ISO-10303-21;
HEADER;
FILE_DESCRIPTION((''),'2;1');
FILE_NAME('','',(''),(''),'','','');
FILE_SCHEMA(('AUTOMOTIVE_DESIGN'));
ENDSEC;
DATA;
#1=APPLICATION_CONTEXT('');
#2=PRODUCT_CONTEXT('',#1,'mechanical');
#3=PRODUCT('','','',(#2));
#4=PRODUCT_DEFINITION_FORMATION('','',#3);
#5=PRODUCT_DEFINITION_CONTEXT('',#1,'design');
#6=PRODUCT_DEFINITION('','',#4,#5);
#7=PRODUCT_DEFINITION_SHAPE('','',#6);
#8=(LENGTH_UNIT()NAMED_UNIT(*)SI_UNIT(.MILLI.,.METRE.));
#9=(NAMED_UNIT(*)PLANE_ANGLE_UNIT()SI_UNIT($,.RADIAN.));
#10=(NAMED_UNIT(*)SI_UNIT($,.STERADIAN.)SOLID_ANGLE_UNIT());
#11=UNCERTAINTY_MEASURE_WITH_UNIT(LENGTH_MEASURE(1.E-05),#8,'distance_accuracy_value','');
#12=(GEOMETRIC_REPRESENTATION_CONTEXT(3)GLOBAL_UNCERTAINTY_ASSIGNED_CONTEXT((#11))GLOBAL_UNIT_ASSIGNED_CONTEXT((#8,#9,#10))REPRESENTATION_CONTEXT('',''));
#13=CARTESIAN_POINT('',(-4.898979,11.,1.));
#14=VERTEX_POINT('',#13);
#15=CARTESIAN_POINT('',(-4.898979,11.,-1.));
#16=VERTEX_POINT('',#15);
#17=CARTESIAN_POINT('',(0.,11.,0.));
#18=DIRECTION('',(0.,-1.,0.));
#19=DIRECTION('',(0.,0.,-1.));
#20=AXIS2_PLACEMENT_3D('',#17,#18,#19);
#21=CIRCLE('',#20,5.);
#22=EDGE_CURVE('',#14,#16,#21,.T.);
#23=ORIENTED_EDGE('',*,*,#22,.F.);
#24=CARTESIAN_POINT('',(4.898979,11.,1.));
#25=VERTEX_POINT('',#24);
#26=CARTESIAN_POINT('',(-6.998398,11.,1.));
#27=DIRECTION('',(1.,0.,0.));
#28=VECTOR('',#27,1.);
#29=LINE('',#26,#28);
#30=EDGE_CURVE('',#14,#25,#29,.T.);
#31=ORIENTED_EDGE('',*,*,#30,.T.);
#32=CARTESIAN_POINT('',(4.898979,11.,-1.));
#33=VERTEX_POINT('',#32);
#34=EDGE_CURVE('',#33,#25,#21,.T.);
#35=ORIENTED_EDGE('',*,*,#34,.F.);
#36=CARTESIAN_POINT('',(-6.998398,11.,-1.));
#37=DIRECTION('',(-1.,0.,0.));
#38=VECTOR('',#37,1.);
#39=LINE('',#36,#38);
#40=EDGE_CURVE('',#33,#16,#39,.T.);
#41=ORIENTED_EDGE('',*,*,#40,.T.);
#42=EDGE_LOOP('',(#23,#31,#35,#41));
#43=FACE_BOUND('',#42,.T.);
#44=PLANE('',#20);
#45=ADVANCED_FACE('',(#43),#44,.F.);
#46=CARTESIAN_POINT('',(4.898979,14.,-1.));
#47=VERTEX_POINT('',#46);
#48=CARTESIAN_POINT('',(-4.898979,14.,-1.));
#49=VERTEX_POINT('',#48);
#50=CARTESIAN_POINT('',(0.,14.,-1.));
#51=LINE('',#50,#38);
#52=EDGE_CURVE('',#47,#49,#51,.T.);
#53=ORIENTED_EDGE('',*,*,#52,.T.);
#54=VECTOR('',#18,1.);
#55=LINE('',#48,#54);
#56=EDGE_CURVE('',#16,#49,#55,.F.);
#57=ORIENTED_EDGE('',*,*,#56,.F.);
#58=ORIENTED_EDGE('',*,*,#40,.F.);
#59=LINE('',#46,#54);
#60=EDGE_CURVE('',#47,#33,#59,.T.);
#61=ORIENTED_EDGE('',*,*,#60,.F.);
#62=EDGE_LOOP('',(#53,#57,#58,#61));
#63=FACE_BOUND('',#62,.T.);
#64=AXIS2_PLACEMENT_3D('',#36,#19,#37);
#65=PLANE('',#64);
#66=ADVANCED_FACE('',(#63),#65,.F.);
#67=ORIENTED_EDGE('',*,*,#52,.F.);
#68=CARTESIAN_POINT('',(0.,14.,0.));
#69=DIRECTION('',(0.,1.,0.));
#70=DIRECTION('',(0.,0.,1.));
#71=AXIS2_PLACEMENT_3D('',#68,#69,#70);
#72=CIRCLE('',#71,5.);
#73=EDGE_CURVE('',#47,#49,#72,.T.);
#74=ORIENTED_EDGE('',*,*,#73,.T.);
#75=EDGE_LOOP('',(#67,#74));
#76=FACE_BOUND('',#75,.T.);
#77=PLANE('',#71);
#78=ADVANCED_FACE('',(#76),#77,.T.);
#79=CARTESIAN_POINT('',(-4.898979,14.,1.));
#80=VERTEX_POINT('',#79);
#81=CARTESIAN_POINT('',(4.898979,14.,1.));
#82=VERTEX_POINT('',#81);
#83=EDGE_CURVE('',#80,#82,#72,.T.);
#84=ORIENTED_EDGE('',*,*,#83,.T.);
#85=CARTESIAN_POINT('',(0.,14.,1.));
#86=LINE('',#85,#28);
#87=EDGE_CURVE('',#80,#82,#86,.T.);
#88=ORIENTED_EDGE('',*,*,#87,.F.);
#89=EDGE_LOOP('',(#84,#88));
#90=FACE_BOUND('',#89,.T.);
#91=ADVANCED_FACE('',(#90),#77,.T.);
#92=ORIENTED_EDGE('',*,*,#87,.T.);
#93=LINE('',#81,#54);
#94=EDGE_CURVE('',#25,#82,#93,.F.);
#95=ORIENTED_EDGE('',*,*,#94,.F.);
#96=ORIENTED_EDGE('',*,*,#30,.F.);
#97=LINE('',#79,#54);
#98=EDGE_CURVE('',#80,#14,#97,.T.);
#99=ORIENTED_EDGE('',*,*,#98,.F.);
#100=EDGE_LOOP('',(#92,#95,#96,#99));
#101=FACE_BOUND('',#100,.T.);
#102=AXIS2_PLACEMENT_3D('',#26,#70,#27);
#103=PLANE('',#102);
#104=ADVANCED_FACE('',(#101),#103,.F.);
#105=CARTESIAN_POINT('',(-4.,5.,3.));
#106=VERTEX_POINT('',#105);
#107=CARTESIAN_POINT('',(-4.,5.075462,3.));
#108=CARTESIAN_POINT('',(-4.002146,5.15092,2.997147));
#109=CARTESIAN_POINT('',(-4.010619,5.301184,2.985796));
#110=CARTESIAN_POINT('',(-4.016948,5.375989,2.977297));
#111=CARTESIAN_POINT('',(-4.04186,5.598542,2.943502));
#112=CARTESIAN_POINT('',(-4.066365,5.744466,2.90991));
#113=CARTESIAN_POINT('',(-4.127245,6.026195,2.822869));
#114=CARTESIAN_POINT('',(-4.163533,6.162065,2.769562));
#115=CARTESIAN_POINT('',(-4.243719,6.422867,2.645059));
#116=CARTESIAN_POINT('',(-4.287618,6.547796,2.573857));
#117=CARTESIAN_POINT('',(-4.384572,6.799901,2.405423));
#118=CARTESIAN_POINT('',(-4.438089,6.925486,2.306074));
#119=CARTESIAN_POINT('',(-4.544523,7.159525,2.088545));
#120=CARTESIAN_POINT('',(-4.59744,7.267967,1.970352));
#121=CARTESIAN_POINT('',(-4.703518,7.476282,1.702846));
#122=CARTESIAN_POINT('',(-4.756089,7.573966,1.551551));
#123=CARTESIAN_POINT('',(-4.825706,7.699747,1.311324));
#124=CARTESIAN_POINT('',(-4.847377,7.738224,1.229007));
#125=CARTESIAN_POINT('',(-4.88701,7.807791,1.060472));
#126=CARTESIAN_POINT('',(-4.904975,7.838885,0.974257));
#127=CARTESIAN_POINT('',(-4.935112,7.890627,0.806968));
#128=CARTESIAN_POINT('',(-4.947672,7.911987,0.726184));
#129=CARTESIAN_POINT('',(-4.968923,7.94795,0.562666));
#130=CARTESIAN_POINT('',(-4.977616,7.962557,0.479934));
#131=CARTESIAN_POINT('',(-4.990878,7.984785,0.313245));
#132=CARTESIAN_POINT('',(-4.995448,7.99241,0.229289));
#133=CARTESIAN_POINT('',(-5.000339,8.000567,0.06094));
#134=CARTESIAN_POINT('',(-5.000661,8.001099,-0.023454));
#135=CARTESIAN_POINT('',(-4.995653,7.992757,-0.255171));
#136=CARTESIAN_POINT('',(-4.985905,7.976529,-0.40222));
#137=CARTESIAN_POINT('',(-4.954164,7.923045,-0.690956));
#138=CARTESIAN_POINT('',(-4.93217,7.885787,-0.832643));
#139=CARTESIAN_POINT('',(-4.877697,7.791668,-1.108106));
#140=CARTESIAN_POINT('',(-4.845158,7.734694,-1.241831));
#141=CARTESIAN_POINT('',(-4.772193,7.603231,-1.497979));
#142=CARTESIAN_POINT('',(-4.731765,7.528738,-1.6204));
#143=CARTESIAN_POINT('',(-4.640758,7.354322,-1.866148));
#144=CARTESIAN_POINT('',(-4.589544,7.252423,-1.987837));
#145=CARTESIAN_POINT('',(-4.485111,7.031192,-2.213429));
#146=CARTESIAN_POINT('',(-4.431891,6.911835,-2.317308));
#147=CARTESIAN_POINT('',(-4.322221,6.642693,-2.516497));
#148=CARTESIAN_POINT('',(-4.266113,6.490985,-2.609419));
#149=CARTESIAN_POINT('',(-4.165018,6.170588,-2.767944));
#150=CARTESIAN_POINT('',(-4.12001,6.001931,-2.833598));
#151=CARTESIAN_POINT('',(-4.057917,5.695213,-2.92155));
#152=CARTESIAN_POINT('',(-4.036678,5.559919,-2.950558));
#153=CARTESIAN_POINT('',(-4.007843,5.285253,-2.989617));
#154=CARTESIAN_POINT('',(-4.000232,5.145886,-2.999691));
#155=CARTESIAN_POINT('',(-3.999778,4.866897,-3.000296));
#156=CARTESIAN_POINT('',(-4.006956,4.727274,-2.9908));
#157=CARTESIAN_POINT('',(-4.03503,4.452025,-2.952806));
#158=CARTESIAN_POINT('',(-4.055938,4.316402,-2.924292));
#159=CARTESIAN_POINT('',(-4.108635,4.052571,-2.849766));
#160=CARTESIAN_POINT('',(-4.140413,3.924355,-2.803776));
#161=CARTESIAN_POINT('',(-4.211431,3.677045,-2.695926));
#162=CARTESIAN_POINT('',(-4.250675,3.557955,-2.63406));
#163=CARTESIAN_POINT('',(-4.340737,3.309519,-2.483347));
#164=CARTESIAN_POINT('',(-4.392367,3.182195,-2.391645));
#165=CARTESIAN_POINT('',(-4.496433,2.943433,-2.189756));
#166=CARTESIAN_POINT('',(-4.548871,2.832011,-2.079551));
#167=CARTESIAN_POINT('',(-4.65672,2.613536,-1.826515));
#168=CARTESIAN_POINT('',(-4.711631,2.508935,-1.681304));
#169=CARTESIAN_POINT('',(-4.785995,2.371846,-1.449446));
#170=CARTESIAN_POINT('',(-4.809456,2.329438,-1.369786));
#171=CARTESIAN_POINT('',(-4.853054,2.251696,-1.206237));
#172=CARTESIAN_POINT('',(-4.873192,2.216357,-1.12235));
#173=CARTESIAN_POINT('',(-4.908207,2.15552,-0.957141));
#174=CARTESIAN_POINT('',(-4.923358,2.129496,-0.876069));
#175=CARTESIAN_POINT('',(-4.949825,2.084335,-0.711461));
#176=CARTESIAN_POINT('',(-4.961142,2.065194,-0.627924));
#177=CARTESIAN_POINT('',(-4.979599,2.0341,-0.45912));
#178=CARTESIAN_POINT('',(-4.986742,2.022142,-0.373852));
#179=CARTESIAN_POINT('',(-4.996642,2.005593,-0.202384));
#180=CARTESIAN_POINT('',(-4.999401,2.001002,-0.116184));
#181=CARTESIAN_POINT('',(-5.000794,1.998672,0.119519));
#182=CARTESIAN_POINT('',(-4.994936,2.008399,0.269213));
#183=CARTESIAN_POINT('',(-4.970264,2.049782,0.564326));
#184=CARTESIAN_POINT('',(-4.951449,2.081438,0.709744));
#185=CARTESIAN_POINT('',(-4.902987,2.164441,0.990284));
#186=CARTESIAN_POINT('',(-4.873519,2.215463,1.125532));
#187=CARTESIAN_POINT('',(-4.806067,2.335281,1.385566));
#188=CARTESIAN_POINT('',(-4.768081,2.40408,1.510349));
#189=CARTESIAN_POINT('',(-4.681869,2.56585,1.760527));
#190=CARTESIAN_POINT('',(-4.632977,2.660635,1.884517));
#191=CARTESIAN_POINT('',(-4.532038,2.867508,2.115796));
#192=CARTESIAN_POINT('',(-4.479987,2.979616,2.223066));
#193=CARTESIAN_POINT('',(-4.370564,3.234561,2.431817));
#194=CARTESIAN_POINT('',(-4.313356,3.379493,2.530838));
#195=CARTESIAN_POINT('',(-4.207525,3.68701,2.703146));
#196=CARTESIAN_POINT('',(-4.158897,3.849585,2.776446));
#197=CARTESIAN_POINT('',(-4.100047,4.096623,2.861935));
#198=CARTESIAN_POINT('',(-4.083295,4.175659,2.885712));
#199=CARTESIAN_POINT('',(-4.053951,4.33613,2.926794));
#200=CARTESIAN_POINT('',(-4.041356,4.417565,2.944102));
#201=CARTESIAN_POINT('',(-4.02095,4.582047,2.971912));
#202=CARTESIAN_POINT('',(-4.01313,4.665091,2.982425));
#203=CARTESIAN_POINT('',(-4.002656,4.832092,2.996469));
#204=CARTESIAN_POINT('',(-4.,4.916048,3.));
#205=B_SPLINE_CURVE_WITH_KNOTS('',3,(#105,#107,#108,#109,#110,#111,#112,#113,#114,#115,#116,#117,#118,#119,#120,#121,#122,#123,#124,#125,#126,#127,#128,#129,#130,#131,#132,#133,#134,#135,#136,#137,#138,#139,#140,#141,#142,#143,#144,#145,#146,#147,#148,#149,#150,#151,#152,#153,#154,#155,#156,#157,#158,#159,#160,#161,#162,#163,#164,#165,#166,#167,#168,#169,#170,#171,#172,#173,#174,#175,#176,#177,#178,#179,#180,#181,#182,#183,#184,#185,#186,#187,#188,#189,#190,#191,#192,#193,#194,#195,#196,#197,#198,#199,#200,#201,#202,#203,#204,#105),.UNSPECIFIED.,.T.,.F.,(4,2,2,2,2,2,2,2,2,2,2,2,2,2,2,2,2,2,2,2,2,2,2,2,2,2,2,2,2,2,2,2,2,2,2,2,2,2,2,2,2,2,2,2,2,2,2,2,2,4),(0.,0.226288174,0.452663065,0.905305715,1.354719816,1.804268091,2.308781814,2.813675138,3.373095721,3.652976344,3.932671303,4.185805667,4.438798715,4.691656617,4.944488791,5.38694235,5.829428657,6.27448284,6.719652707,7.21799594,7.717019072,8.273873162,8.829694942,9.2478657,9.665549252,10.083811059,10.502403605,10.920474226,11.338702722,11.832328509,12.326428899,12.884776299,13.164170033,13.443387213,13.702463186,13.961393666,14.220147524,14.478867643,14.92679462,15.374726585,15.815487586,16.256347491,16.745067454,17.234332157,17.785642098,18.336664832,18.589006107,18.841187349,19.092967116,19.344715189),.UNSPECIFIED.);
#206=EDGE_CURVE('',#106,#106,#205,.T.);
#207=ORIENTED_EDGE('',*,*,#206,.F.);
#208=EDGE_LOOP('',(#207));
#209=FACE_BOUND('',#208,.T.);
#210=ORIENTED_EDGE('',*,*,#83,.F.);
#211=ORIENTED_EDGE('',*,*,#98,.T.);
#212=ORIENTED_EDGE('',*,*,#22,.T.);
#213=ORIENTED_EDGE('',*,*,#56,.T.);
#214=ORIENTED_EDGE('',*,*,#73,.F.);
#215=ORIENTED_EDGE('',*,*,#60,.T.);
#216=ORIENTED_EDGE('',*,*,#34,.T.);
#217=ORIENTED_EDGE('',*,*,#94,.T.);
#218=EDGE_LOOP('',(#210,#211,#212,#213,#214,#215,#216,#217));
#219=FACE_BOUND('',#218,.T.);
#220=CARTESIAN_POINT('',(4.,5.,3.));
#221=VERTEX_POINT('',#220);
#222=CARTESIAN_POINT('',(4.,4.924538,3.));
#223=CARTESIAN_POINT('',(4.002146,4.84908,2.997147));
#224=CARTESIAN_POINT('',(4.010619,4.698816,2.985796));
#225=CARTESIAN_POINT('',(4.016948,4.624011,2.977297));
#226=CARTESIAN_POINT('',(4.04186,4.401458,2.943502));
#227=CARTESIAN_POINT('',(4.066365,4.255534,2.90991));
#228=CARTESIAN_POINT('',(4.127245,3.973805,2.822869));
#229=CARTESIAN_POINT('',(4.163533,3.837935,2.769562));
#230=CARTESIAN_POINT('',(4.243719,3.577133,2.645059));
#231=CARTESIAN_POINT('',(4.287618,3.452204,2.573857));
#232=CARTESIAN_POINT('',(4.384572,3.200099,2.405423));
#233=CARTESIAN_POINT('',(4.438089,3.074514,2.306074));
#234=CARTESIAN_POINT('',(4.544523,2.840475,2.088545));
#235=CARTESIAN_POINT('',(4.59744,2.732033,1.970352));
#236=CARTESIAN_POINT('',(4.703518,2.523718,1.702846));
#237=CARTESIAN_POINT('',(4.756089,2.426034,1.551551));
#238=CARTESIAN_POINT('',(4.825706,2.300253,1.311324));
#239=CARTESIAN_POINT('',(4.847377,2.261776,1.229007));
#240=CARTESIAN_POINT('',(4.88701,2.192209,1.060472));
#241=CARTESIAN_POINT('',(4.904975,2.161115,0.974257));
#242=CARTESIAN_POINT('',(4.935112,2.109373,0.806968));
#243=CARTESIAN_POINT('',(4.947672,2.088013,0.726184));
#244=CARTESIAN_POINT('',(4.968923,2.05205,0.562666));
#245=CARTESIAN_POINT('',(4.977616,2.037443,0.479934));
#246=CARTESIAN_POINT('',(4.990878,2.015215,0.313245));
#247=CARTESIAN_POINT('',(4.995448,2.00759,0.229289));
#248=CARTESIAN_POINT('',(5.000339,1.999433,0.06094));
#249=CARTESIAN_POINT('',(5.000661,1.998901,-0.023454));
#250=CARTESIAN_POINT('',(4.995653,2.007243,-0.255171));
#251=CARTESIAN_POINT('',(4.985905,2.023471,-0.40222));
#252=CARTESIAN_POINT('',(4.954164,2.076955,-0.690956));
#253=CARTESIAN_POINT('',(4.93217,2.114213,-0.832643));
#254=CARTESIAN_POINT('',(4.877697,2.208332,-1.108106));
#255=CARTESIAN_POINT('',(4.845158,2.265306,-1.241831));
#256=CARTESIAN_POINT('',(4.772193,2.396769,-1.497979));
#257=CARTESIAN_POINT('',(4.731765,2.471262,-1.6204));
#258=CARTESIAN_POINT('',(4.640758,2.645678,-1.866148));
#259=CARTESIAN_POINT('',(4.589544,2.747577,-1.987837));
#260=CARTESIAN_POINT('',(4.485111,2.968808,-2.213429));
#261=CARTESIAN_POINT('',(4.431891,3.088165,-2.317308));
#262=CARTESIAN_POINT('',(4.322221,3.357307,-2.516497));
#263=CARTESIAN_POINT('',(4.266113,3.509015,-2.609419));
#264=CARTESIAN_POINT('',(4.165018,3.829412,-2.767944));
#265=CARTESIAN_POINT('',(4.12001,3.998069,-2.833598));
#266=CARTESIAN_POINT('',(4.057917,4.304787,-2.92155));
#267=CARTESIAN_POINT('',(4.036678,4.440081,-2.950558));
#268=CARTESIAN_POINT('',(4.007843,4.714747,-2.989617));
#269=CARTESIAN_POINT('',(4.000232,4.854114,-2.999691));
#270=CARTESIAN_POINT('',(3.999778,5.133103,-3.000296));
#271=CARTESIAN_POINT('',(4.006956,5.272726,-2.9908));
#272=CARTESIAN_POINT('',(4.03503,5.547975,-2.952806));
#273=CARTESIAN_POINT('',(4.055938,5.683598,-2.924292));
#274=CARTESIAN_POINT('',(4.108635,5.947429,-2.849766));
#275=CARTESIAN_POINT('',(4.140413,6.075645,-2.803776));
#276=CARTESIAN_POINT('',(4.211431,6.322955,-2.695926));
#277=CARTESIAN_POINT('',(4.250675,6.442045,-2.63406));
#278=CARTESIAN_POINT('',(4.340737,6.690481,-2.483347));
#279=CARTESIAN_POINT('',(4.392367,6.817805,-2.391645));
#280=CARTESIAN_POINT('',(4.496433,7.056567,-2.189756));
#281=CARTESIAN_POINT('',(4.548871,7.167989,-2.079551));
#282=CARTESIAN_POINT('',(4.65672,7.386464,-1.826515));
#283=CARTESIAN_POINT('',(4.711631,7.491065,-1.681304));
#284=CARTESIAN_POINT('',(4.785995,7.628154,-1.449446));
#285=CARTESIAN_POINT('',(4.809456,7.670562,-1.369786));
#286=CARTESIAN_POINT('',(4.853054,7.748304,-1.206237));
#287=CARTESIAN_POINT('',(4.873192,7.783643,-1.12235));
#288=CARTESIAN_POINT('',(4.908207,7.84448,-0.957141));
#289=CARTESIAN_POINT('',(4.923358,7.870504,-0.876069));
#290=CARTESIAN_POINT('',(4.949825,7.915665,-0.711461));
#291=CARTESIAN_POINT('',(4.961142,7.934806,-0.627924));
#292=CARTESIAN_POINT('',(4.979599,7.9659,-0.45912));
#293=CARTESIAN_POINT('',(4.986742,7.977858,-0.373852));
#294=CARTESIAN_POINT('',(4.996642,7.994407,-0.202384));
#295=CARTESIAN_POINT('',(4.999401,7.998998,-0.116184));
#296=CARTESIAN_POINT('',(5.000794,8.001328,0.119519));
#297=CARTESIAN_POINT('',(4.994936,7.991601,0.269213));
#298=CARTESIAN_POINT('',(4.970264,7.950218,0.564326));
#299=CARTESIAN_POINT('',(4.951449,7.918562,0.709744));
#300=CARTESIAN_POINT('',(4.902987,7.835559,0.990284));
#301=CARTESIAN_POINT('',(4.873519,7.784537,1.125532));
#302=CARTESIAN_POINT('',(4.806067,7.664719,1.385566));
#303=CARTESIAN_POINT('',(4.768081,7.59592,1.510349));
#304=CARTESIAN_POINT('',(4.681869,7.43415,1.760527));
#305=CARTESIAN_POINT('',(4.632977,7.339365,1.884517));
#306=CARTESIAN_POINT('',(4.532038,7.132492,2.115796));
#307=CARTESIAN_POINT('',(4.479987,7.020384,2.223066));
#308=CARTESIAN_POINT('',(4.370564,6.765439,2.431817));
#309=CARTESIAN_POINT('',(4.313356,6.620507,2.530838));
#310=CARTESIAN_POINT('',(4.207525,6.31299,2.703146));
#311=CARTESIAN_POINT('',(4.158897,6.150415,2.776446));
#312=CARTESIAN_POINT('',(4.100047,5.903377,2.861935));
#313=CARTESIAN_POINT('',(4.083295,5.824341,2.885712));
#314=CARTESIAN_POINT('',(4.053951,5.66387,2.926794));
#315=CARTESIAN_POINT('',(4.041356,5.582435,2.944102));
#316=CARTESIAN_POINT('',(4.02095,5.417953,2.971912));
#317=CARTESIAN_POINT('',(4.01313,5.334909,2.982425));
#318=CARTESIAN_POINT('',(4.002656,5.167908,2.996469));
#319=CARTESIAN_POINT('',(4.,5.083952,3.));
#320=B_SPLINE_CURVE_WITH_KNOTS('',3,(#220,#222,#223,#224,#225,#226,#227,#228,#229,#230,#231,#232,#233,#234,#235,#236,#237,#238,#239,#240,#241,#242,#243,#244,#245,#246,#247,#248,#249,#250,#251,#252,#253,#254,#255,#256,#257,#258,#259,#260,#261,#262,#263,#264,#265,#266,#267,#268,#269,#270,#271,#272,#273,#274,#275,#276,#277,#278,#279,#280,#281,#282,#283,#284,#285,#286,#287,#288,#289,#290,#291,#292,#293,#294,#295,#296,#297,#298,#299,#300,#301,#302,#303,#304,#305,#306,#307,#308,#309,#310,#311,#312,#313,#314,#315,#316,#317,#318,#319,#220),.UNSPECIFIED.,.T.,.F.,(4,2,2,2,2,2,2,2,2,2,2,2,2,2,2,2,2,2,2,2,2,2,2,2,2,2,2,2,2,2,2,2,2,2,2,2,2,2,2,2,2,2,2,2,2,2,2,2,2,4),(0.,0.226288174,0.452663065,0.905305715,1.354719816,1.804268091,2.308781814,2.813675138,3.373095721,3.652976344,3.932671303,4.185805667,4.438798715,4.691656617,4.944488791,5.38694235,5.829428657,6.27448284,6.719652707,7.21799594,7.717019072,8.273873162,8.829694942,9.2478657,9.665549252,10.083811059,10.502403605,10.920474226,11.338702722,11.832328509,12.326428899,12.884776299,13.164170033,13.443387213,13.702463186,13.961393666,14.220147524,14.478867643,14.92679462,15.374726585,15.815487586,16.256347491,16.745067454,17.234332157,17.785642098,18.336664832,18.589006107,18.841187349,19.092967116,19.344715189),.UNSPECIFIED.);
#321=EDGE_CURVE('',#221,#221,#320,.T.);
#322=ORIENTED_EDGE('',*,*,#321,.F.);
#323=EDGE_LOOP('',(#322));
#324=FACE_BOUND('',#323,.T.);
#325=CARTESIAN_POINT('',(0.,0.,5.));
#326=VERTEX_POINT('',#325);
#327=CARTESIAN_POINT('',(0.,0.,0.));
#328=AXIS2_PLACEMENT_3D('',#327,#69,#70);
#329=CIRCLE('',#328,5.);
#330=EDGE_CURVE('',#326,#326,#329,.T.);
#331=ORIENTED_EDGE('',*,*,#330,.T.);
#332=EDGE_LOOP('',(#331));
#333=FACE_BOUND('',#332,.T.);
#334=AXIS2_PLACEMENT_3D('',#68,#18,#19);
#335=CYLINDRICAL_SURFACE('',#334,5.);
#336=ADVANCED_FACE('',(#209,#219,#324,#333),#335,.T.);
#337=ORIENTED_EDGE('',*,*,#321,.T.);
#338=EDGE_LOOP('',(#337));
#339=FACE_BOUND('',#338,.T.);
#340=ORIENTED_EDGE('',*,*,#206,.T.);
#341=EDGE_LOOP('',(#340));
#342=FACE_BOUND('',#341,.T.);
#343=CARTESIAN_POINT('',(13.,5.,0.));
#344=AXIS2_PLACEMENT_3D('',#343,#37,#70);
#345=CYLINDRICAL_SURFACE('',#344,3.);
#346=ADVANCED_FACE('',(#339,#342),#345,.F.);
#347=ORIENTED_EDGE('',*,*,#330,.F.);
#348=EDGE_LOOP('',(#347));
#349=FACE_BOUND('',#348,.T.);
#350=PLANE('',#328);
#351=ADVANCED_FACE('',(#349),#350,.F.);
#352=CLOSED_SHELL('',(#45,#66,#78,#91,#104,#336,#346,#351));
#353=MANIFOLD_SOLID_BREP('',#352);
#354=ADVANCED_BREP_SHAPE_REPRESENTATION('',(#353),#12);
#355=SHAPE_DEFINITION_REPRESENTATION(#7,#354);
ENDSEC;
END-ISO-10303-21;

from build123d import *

# Parameters (mm, degrees)
SKETCH_1_R               = 5
EXTRUDE_1_DEPTH          = 14
SKETCH_2_W               = 13.996795202
SKETCH_2_H               = 2
CUT_EXTRUDE_1_DEPTH      = 3
CUT_EXTRUDE_2_DEPTH      = 13
CUT_EXTRUDE_2_DEPTH_BACK = 13
SKETCH_3_R               = 3


with BuildPart() as part:
    # 스케치1 → 보스-돌출1 (new body)
    with BuildSketch(Plane(origin=(0, 0, 0), x_dir=(1, 0, 0), z_dir=(0, 1, 0))):
        Circle(SKETCH_1_R)
    extrude(amount=EXTRUDE_1_DEPTH)

    # 스케치2 → 컷-돌출1 (cut)
    with BuildSketch(Plane(origin=(0, 14, 0), x_dir=(1, 0, 0), z_dir=(0, 1, 0))):
        Rectangle(SKETCH_2_W, SKETCH_2_H)
    extrude(amount=-CUT_EXTRUDE_1_DEPTH, mode=Mode.SUBTRACT)

    # 스케치3 → 컷-돌출2 (cut, two sides: drawn at the far end of the back side and taken through both)
    with BuildSketch(Plane(origin=(0, 0, 0), x_dir=(0, 0, -1), z_dir=(1, 0, 0)).offset(-CUT_EXTRUDE_2_DEPTH_BACK)):
        with Locations((0, 5)):
            Circle(SKETCH_3_R)
    extrude(amount=CUT_EXTRUDE_2_DEPTH + CUT_EXTRUDE_2_DEPTH_BACK, mode=Mode.SUBTRACT)


solid = part.part
